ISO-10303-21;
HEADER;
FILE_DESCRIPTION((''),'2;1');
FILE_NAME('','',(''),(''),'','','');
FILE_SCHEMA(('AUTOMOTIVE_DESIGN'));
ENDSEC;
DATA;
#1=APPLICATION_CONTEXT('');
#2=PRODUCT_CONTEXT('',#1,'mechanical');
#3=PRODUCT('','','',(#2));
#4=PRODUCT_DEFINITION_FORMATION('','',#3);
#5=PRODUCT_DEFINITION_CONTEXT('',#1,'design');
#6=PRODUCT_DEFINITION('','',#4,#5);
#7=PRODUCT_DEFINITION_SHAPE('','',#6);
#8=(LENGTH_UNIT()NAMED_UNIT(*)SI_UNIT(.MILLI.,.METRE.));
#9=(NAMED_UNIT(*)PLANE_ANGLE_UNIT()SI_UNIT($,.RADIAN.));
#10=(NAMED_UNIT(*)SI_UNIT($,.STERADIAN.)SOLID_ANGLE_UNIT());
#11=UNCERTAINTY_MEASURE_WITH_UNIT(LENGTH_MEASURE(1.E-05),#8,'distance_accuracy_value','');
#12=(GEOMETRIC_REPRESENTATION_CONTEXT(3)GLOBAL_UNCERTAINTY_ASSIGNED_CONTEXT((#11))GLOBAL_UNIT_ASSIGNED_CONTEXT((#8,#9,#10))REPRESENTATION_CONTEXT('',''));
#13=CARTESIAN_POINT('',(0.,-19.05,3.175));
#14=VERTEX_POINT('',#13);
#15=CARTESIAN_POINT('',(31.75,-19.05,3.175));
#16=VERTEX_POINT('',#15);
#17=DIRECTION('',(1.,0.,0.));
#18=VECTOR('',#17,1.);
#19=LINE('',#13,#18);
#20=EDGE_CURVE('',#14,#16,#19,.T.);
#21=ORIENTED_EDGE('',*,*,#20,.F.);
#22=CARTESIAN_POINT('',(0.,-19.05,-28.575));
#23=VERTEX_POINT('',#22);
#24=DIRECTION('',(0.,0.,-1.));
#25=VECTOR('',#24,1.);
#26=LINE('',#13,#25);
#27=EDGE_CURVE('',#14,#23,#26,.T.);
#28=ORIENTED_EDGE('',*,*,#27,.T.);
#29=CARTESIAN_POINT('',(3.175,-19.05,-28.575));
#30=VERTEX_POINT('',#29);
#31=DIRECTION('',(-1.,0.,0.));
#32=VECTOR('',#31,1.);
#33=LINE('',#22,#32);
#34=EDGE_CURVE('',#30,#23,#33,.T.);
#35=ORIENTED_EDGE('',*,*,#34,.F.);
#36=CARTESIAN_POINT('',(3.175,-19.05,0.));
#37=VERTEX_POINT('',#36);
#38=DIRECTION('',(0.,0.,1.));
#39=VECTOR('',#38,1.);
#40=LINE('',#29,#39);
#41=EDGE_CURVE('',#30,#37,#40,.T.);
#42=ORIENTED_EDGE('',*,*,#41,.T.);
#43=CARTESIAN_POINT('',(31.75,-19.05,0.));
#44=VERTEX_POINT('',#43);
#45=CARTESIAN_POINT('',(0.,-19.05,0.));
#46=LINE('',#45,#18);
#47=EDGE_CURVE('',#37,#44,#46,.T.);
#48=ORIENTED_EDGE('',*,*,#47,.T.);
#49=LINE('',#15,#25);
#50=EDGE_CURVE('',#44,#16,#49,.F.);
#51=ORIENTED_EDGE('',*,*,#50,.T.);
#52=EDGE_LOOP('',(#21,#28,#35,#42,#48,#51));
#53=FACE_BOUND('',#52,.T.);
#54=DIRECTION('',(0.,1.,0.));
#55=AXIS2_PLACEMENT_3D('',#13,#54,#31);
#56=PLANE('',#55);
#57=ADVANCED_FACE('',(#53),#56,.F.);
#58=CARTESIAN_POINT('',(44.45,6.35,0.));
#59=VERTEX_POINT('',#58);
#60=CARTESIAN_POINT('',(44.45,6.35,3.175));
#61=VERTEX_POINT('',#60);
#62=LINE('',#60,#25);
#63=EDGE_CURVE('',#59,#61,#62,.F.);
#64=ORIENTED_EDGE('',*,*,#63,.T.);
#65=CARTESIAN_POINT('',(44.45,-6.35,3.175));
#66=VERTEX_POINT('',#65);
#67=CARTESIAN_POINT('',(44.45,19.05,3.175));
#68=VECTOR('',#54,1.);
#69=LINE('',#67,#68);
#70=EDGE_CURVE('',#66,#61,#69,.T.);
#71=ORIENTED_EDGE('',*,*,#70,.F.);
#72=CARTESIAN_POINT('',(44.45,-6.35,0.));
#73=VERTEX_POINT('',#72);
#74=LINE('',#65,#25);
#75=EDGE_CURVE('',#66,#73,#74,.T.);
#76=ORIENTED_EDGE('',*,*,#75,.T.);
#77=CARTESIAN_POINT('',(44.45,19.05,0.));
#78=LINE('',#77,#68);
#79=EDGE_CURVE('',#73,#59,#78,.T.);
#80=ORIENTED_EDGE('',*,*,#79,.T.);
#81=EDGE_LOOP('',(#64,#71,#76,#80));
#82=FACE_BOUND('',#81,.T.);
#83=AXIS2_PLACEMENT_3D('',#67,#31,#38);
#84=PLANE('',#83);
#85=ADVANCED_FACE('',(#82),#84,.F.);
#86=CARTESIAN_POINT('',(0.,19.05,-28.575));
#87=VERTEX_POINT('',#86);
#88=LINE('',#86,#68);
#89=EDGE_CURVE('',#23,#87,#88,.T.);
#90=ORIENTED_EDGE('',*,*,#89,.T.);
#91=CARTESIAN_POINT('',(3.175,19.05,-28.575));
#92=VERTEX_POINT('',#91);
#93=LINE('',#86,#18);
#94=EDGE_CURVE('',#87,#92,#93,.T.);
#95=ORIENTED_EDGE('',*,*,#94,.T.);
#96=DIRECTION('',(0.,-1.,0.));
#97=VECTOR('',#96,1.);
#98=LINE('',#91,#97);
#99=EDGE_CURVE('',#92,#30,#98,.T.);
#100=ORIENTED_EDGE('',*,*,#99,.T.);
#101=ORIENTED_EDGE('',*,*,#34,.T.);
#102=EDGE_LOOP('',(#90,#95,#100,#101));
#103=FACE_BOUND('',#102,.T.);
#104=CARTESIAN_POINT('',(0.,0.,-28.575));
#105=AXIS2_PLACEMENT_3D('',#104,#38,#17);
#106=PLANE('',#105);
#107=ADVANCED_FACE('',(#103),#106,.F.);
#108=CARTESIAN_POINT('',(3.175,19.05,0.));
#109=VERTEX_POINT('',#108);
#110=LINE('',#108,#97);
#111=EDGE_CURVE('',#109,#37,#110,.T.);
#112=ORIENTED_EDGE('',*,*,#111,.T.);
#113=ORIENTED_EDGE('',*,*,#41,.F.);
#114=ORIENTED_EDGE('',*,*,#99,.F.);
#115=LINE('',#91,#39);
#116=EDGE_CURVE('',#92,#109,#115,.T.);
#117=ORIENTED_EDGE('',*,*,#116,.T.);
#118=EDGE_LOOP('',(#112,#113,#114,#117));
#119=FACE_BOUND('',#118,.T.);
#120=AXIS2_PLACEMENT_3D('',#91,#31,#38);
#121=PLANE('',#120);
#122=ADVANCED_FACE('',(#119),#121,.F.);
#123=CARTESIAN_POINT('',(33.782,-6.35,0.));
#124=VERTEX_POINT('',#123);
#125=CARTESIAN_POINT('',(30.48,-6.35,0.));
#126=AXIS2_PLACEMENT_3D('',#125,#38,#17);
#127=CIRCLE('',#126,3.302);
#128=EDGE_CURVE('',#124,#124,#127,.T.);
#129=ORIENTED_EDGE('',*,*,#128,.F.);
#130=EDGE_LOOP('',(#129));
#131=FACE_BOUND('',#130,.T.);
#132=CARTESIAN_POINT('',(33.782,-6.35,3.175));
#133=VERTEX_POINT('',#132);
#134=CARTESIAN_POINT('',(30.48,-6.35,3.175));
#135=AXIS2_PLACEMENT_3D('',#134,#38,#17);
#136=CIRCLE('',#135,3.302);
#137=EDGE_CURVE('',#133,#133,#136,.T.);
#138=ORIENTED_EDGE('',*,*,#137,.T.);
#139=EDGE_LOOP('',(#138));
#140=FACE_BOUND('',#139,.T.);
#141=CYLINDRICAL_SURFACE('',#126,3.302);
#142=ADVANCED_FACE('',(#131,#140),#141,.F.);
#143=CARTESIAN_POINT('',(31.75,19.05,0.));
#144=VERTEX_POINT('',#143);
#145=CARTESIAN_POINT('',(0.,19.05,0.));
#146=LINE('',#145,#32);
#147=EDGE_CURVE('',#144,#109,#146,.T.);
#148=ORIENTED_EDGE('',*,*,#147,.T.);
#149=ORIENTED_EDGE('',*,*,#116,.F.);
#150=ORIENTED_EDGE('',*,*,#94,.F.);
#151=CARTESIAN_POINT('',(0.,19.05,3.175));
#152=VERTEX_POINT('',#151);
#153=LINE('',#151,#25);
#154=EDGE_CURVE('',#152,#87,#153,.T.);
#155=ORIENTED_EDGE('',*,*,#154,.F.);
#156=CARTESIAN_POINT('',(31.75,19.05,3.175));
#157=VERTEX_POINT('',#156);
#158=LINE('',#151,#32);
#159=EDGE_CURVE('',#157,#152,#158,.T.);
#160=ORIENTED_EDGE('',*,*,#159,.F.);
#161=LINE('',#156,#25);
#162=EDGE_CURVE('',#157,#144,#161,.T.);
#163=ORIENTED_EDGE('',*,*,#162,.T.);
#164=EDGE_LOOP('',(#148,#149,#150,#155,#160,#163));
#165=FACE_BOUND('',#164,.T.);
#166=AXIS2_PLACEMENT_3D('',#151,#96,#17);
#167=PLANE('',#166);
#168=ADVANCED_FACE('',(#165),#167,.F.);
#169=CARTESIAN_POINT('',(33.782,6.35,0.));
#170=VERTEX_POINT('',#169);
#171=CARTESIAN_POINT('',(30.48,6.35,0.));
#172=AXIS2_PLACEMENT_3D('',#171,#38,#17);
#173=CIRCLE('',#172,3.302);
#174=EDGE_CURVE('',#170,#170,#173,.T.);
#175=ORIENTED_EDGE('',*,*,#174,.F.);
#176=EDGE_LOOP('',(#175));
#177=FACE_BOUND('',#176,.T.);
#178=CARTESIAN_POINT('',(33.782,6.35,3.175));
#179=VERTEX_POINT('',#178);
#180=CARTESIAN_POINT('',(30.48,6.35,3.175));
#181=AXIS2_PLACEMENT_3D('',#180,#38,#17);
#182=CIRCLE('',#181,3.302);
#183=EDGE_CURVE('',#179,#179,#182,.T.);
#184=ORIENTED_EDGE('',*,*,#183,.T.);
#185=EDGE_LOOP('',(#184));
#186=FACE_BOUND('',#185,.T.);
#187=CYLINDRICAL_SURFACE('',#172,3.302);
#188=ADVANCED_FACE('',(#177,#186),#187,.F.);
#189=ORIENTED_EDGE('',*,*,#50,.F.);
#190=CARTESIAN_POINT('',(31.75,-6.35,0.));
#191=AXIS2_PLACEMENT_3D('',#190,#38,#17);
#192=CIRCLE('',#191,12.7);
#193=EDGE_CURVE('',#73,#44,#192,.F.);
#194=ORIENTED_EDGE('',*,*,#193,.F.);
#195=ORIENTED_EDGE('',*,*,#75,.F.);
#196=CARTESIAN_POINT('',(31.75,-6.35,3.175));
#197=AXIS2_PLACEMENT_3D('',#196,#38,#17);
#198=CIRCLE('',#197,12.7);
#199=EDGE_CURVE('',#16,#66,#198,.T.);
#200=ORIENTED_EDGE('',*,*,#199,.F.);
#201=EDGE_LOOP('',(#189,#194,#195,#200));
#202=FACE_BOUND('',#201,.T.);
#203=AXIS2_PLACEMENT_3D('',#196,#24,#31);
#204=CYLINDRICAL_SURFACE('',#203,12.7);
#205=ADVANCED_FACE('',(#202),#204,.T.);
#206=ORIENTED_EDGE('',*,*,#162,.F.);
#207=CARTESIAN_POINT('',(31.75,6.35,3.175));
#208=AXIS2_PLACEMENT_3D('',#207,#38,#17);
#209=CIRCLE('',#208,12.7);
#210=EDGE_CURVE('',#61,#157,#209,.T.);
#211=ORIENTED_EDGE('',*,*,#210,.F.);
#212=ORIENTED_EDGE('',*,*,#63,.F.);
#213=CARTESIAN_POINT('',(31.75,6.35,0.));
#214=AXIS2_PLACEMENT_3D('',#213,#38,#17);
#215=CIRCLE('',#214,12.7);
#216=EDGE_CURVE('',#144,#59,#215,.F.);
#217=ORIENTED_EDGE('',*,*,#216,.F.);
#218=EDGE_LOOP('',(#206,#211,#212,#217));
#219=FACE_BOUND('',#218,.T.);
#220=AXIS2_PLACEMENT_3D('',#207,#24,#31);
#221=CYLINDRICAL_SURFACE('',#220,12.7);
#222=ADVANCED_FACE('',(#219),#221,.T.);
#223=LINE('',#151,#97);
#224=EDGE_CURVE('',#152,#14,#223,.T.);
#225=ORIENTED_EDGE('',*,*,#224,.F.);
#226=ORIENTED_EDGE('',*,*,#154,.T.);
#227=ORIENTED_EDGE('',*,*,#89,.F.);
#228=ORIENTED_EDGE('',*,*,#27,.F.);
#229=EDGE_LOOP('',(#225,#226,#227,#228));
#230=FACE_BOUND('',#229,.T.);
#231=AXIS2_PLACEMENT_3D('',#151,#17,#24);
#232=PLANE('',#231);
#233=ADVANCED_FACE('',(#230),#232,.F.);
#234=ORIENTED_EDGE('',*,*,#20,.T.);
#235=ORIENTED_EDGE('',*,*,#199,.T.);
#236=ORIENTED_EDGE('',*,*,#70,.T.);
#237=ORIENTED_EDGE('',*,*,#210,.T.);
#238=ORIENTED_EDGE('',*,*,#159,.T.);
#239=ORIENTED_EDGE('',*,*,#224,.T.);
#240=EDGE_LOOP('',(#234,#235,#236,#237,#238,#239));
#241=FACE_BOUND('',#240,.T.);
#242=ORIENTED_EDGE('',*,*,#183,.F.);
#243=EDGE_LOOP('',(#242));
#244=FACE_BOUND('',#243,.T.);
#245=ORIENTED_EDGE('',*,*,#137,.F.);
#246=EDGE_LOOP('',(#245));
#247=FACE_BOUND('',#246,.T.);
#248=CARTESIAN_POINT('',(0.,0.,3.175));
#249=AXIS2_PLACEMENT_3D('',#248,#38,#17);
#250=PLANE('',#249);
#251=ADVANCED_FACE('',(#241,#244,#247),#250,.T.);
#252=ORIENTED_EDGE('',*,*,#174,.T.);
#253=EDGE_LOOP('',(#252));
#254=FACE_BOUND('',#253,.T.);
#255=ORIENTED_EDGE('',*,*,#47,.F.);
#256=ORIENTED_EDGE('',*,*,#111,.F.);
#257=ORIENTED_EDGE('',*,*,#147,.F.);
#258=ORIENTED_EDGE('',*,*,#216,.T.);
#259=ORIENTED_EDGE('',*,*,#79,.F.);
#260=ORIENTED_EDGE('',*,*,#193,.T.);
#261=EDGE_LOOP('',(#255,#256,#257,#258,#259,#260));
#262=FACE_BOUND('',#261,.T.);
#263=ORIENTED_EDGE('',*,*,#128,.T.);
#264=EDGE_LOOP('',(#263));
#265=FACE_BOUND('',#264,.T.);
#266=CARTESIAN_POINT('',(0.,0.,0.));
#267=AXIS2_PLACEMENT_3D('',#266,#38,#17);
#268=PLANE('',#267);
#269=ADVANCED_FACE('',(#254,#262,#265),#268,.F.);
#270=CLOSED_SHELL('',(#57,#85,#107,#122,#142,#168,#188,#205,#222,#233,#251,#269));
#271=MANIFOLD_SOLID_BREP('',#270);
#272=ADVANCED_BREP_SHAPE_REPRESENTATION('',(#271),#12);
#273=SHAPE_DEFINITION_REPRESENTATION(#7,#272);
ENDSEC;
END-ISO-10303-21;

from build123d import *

# Parameters (mm, degrees)
SKETCH1_W               = 44.45
SKETCH1_H               = 38.1
BOSS_EXTRUDE1_DEPTH     = 3.175
CUT_EXTRUDE1_DEPTH      = 49.464271634
CUT_EXTRUDE1_DEPTH_BACK = 49.464271634
SKETCH2_R               = 3.302
SKETCH3_W               = 3.175
SKETCH3_H               = 38.1
BOSS_EXTRUDE2_DEPTH     = 28.575
FILLET1_R               = 12.7


with BuildPart() as part:
    # Sketch1 → Boss-Extrude1 (new body)
    with BuildSketch(Plane.XY):
        with Locations((22.225, 0)):
            Rectangle(SKETCH1_W, SKETCH1_H)
    extrude(amount=BOSS_EXTRUDE1_DEPTH)

    # Sketch2 → Cut-Extrude1 (cut, two sides: drawn at the far end of the back side and taken through both)
    with BuildSketch(Plane.XY.offset(3.175).offset(-CUT_EXTRUDE1_DEPTH_BACK)):
        with Locations((30.48, 6.35)):
            Circle(SKETCH2_R)
        with Locations((30.48, -6.35)):
            Circle(SKETCH2_R)
    extrude(amount=CUT_EXTRUDE1_DEPTH + CUT_EXTRUDE1_DEPTH_BACK, mode=Mode.SUBTRACT)

    # Sketch3 → Boss-Extrude2 (add)
    with BuildSketch(Plane(origin=(0, 0, 0), x_dir=(-1, 0, 0), z_dir=(0, 0, -1))):
        with Locations((-1.5875, 0)):
            Rectangle(SKETCH3_W, SKETCH3_H)
    extrude(amount=BOSS_EXTRUDE2_DEPTH)

    # Fillet1
    fillet1_edges = [part.edges().sort_by_distance(p)[0] for p in [
        (44.45, 19.05, 1.5875),
        (44.45, -19.05, 1.5875),
    ]]
    fillet(fillet1_edges, radius=FILLET1_R)


solid = part.part
